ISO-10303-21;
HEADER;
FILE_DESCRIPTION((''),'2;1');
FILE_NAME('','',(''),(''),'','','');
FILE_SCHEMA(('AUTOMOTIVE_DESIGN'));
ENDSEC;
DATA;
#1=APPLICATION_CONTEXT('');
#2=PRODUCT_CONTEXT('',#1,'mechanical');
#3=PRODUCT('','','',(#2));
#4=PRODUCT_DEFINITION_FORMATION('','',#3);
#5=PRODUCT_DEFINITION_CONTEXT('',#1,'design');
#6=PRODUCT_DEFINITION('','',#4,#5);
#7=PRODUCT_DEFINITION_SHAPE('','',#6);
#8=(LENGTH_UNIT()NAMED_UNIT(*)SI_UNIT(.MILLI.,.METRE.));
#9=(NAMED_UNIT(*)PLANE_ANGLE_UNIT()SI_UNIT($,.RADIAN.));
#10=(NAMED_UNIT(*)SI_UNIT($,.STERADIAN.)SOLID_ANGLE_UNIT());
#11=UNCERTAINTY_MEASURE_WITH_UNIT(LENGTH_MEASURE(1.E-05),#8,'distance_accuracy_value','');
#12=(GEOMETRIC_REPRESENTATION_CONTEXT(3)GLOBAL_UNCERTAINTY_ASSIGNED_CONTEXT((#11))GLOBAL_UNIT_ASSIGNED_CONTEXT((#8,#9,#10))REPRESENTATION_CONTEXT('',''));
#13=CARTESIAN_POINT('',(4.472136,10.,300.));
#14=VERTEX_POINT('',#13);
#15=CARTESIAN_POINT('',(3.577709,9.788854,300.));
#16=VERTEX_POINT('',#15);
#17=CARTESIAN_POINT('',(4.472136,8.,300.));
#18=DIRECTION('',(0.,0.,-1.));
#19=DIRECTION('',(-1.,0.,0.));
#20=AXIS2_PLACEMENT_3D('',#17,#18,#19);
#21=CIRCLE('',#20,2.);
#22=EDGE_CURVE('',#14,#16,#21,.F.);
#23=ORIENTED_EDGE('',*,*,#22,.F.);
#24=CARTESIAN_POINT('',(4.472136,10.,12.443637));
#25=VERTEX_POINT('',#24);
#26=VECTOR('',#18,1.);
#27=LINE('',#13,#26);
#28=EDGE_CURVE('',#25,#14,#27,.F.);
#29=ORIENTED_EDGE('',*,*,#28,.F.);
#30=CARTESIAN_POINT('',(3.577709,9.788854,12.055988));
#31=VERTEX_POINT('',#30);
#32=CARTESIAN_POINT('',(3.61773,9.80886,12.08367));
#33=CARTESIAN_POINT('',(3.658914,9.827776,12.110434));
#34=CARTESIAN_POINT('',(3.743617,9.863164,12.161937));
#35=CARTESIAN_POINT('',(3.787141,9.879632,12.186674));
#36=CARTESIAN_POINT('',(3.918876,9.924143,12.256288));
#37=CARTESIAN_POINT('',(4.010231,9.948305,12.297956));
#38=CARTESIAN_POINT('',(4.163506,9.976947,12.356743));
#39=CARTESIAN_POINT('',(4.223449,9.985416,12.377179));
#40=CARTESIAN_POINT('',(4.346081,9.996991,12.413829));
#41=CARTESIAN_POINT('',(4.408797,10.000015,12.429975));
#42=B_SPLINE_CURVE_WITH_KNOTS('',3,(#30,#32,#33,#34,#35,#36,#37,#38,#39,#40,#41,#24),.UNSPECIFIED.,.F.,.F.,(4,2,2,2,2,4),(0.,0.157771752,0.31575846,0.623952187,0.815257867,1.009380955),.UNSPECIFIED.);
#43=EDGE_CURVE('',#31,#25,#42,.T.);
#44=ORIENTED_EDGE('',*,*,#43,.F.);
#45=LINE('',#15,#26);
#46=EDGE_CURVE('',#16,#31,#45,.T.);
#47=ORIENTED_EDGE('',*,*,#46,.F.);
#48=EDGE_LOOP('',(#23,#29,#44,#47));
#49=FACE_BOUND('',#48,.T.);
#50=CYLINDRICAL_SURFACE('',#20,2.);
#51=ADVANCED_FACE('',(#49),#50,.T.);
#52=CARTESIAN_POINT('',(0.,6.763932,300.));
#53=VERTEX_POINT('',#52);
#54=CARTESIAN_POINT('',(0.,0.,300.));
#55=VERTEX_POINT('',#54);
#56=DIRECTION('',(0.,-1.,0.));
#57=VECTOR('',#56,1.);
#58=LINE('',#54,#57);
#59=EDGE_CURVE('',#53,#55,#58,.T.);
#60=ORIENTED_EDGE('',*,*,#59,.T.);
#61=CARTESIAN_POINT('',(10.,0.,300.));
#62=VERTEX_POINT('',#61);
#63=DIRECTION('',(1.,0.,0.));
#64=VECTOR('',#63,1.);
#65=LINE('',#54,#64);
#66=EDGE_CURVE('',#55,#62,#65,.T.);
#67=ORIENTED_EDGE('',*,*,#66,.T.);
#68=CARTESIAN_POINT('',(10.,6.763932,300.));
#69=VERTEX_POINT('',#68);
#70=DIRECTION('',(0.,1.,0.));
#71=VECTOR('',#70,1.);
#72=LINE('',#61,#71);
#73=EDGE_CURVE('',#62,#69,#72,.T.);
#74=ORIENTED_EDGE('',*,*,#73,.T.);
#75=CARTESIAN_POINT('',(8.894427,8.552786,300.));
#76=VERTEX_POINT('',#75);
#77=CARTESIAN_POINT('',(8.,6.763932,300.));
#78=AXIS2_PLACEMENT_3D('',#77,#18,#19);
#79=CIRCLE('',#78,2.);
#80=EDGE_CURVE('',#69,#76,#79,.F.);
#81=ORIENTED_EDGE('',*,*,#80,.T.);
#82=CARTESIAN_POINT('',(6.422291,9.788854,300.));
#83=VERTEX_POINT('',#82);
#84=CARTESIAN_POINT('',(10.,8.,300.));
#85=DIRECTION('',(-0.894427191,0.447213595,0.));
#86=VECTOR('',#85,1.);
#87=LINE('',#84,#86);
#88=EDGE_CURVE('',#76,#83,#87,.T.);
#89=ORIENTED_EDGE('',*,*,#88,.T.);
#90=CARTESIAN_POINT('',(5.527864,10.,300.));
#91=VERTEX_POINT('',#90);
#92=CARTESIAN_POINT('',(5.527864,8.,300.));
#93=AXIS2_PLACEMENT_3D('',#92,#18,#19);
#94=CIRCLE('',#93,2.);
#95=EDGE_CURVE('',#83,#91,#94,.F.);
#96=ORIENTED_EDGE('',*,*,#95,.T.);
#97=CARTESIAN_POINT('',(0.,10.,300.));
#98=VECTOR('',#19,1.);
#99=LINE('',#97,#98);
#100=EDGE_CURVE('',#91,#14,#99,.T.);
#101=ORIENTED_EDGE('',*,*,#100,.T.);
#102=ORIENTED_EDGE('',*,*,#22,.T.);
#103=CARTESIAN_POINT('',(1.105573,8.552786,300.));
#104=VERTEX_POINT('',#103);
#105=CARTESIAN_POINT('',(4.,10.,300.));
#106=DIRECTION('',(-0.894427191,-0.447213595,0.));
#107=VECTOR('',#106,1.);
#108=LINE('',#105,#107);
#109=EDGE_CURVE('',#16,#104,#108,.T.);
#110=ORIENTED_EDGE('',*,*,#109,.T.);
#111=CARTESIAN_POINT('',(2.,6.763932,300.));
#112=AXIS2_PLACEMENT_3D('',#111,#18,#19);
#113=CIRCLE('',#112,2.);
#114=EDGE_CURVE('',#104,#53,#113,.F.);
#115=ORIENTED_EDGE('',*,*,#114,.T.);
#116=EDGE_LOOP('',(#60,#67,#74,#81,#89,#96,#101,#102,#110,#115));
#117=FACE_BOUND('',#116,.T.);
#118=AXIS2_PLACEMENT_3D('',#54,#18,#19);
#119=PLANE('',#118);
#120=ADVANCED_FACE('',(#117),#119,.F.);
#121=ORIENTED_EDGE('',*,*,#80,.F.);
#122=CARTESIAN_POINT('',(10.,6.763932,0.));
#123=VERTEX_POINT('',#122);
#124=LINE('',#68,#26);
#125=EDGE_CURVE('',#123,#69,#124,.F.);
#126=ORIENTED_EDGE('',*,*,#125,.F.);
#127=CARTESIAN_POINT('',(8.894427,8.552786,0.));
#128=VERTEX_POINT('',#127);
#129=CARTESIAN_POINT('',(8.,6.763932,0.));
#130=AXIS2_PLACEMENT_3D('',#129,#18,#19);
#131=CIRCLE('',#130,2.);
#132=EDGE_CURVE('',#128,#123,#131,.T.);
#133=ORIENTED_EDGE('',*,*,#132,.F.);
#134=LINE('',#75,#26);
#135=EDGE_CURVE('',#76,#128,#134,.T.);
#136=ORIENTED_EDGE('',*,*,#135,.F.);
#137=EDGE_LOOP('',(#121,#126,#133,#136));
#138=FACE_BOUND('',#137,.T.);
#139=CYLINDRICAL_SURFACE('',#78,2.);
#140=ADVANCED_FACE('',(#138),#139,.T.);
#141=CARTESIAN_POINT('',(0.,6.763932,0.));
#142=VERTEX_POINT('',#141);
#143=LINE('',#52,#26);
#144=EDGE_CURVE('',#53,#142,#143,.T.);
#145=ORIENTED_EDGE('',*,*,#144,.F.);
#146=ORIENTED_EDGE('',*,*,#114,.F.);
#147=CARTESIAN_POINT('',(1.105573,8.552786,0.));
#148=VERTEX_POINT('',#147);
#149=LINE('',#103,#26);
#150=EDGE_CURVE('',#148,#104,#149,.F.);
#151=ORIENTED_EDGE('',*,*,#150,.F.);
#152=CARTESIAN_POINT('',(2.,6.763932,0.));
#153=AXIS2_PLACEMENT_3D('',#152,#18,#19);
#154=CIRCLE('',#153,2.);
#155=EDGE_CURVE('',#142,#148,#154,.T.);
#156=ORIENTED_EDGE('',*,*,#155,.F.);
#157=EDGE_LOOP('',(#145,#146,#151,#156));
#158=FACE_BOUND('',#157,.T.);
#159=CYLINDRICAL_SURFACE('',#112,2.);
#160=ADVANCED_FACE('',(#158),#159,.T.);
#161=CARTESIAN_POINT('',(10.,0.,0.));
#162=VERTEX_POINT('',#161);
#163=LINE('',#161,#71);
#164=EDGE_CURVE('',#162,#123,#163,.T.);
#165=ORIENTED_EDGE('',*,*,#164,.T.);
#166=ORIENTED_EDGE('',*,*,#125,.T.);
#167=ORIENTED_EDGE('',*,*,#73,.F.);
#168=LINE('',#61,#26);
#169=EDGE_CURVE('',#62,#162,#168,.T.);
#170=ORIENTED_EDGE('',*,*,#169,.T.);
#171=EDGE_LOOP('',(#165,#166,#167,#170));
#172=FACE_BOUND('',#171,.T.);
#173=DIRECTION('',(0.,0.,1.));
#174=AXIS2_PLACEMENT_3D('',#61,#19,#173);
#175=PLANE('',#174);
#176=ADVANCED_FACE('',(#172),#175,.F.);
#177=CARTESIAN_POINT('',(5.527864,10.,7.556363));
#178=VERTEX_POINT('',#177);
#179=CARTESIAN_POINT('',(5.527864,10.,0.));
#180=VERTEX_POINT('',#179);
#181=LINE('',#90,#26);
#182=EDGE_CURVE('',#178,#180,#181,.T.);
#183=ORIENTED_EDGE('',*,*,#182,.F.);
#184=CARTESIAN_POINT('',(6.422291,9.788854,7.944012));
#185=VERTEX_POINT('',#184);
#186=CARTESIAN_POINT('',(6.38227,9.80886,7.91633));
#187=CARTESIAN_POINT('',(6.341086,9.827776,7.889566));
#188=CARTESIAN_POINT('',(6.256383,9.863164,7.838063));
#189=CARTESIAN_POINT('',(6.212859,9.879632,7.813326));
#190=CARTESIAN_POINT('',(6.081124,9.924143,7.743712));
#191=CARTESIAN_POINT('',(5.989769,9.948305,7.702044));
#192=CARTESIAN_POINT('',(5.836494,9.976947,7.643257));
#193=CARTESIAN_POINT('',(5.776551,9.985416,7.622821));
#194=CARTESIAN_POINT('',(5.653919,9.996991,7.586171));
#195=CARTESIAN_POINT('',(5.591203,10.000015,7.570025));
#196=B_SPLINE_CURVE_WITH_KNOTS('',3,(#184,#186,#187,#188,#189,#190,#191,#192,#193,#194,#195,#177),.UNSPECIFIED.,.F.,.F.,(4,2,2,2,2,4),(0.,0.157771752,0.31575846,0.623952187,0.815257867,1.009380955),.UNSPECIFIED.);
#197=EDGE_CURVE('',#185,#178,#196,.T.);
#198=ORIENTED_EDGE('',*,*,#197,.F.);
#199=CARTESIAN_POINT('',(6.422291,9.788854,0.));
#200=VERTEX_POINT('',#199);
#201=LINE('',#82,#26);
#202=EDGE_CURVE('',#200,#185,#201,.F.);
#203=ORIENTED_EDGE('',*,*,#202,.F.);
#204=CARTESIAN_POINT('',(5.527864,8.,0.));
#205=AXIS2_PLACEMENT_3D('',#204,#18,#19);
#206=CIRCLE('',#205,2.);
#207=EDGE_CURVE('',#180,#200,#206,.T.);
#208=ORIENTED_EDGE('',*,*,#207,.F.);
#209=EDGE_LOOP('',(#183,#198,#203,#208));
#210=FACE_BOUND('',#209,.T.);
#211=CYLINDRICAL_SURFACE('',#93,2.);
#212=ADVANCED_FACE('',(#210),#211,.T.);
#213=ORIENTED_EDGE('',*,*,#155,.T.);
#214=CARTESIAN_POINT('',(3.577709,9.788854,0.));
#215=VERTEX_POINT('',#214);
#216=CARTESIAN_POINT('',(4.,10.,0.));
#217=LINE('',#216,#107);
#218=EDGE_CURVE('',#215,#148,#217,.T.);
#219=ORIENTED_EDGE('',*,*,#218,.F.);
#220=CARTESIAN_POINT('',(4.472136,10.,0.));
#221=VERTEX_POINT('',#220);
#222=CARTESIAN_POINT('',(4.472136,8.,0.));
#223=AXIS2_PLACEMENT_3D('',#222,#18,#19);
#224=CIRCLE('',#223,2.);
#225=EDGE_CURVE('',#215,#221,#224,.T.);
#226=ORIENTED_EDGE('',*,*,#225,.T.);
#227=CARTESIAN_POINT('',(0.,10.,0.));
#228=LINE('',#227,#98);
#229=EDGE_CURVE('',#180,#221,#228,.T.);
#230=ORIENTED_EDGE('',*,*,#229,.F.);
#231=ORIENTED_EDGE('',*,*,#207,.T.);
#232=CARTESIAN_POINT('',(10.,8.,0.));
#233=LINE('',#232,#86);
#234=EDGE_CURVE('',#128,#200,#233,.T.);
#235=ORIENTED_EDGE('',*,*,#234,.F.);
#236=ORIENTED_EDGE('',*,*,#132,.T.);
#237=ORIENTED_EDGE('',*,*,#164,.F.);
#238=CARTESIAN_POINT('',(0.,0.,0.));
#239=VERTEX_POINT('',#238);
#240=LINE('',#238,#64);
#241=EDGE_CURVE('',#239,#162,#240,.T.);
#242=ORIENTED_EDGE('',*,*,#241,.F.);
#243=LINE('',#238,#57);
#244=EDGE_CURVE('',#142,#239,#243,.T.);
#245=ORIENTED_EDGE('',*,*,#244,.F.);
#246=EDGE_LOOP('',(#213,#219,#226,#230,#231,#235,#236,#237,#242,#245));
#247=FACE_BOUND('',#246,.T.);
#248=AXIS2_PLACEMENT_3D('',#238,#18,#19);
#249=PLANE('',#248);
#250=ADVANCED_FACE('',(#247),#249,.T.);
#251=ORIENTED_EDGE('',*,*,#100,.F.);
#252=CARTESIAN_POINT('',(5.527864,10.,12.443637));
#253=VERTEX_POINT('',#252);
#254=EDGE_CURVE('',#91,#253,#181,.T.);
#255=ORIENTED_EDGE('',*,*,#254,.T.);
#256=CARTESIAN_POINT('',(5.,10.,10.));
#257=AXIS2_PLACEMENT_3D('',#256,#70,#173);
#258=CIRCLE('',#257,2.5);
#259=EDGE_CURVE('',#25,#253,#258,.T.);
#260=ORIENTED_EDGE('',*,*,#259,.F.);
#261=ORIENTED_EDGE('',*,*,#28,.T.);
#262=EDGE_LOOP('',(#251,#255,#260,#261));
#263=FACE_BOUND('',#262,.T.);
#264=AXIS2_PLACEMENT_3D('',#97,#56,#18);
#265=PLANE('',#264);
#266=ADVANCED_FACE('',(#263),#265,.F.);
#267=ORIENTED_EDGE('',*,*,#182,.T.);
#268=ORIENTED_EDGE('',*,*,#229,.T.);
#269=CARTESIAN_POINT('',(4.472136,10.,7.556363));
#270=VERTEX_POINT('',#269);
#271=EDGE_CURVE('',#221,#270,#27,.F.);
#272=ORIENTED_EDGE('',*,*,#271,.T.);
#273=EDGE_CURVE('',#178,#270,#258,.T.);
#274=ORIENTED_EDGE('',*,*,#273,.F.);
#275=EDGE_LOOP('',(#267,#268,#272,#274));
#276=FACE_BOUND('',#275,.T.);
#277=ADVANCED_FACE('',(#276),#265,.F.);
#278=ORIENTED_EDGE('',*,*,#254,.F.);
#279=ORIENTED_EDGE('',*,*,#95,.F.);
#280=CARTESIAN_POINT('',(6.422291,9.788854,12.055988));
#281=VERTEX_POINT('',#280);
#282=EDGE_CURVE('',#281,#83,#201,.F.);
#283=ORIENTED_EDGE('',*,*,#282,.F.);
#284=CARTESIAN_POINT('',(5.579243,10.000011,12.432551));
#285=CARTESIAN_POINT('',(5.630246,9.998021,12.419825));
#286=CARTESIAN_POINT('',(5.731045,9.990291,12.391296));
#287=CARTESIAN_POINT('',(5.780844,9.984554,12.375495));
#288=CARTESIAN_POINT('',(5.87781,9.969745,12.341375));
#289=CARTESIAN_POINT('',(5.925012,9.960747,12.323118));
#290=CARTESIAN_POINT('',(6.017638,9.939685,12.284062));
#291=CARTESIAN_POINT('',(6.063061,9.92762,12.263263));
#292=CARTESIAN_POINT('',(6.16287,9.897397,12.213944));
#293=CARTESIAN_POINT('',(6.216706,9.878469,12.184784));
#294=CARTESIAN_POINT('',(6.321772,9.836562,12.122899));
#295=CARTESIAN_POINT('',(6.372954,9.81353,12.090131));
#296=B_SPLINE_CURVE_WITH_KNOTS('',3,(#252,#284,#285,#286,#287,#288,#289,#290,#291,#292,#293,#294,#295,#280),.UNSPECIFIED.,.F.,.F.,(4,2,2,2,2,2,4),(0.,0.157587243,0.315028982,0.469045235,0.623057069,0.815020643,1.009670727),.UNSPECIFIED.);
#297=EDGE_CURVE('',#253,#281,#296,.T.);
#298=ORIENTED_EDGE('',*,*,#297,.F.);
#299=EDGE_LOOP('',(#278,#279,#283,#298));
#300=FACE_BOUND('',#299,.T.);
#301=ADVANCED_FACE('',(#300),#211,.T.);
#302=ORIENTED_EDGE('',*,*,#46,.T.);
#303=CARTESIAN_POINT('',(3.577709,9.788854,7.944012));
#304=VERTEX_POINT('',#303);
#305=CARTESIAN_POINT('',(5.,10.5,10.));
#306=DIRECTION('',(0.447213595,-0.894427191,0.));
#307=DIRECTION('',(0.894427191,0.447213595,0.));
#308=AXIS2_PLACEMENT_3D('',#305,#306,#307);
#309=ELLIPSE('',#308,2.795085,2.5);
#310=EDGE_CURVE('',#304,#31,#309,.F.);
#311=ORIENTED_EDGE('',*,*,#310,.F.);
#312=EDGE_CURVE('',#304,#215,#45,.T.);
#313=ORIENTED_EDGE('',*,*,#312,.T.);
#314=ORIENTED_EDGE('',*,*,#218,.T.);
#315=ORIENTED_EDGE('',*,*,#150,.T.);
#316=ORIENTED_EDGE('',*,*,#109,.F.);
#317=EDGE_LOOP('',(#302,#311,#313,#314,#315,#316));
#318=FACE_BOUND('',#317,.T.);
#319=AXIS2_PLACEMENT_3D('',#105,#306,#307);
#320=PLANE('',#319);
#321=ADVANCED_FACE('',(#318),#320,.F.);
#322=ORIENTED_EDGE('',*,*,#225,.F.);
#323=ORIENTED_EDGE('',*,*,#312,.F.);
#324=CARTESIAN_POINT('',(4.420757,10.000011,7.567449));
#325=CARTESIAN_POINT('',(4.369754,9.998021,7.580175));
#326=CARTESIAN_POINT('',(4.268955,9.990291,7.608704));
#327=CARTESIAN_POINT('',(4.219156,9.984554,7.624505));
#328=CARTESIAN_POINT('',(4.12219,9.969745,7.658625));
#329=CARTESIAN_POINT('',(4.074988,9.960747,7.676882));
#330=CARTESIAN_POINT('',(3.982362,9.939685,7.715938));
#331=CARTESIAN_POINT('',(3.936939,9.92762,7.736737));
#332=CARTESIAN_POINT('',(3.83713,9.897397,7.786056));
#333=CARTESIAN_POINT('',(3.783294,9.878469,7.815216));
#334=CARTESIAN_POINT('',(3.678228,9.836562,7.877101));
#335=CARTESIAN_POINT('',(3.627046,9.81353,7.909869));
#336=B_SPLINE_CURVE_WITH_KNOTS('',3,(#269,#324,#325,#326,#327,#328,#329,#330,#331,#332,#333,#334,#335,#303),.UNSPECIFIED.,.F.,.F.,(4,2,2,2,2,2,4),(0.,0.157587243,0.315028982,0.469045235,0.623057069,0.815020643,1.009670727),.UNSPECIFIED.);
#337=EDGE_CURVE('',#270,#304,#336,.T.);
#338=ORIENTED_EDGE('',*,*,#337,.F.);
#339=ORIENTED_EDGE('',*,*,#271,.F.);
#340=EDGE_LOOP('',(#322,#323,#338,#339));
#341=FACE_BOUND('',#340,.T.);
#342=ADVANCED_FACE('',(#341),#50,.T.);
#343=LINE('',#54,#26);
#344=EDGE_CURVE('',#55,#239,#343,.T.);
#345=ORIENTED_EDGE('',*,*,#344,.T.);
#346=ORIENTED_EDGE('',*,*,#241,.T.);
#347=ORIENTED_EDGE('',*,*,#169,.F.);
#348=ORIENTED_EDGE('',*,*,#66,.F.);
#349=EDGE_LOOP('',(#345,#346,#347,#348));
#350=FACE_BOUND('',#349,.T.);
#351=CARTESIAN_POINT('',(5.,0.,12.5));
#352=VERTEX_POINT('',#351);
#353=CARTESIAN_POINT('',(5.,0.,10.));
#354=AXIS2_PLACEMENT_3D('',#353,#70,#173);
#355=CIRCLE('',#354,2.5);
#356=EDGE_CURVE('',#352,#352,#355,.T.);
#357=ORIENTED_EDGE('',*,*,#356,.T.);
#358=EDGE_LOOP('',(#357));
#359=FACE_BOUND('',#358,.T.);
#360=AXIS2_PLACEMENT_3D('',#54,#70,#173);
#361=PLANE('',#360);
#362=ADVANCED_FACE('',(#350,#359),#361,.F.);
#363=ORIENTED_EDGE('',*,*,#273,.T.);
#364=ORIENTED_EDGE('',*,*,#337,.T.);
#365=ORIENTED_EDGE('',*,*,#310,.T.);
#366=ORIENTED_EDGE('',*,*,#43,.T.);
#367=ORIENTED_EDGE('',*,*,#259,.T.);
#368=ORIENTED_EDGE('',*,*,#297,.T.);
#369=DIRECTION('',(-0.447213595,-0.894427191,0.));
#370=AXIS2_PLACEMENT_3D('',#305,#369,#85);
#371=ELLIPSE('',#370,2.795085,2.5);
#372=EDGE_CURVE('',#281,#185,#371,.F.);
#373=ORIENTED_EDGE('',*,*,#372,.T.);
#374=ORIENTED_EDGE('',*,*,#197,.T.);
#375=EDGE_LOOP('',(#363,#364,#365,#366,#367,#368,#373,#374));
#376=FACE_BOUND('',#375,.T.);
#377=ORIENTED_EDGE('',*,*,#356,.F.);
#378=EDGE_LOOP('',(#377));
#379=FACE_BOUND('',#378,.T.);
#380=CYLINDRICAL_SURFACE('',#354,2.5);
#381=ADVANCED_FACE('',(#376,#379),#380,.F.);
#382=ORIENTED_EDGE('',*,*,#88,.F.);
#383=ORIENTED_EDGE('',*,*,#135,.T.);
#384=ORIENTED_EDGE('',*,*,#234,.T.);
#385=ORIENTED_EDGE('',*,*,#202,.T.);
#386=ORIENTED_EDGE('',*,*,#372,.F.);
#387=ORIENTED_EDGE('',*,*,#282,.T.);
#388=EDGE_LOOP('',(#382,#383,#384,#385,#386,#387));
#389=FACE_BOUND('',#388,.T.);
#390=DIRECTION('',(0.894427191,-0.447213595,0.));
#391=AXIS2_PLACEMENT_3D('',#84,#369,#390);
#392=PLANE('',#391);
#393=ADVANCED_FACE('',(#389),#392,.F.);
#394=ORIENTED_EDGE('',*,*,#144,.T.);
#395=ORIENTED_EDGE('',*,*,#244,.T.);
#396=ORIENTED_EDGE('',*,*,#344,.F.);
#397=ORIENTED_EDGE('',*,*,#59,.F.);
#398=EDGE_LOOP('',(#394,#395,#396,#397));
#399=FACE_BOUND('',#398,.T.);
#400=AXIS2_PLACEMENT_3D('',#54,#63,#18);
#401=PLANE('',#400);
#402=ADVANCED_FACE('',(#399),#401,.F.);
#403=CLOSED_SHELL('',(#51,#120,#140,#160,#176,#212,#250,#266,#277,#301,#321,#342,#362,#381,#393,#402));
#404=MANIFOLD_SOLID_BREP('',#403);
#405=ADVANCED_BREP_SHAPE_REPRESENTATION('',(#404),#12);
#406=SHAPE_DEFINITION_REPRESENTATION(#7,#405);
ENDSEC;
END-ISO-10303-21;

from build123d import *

# Parameters (mm, degrees)
ESQUISSE1_W             = 10
ESQUISSE1_H             = 10
BOSS_EXTRU_1_DEPTH      = 300
ESQUISSE2_R             = 2.5
ENL_V_MAT_EXTRU_1_DEPTH = 301.333148354
ENL_V_MAT_EXTRU_2_DEPTH = 301.333148354
CONG_2_R                = 2
CONG_3_R                = 2
CONG_4_R                = 2


with BuildPart() as part:
    # Esquisse1 → Boss.-Extru.1 (new body)
    with BuildSketch(Plane.XY):
        with Locations((5, 5)):
            Rectangle(ESQUISSE1_W, ESQUISSE1_H)
    extrude(amount=BOSS_EXTRU_1_DEPTH)

    # Esquisse2 → Enlèv. mat.-Extru.1 (cut, through all)
    with BuildSketch(Plane(origin=(0, 10, 0), x_dir=(1, 0, 0), z_dir=(0, 1, 0))):
        with Locations(Location((5, -10, 0), (0, 0, 270))):
            Circle(ESQUISSE2_R)
    extrude(amount=-ENL_V_MAT_EXTRU_1_DEPTH, mode=Mode.SUBTRACT)

    # Esquisse3 → Enlèv. mat.-Extru.2 (cut, through all)
    with BuildSketch(Plane(origin=(0, 0, 0), x_dir=(-1, 0, 0), z_dir=(0, 0, -1))):
        Polygon((0, 10), (0, 8), (-4, 10), align=None)
        Polygon((-10, 10), (-10, 8), (-6, 10), align=None)
    extrude(amount=-ENL_V_MAT_EXTRU_2_DEPTH, mode=Mode.SUBTRACT)

    # Congé2
    cong_2_edges = [part.edges().sort_by_distance(p)[0] for p in [
        (6, 10, 156.145643924),
        (4, 10, 156.145643924),
    ]]
    fillet(cong_2_edges, radius=CONG_2_R)

    # Congé3
    cong_3_edges = [part.edges().sort_by_distance(p)[0] for p in [
        (0, 8, 150),
        (10, 8, 150),
    ]]
    fillet(cong_3_edges, radius=CONG_3_R)

    # Congé4
    cong_4_edges = [part.edges().sort_by_distance(p)[0] for p in [
        (6, 10, 3.854356076),
        (4, 10, 3.854356076),
    ]]
    fillet(cong_4_edges, radius=CONG_4_R)


solid = part.part
